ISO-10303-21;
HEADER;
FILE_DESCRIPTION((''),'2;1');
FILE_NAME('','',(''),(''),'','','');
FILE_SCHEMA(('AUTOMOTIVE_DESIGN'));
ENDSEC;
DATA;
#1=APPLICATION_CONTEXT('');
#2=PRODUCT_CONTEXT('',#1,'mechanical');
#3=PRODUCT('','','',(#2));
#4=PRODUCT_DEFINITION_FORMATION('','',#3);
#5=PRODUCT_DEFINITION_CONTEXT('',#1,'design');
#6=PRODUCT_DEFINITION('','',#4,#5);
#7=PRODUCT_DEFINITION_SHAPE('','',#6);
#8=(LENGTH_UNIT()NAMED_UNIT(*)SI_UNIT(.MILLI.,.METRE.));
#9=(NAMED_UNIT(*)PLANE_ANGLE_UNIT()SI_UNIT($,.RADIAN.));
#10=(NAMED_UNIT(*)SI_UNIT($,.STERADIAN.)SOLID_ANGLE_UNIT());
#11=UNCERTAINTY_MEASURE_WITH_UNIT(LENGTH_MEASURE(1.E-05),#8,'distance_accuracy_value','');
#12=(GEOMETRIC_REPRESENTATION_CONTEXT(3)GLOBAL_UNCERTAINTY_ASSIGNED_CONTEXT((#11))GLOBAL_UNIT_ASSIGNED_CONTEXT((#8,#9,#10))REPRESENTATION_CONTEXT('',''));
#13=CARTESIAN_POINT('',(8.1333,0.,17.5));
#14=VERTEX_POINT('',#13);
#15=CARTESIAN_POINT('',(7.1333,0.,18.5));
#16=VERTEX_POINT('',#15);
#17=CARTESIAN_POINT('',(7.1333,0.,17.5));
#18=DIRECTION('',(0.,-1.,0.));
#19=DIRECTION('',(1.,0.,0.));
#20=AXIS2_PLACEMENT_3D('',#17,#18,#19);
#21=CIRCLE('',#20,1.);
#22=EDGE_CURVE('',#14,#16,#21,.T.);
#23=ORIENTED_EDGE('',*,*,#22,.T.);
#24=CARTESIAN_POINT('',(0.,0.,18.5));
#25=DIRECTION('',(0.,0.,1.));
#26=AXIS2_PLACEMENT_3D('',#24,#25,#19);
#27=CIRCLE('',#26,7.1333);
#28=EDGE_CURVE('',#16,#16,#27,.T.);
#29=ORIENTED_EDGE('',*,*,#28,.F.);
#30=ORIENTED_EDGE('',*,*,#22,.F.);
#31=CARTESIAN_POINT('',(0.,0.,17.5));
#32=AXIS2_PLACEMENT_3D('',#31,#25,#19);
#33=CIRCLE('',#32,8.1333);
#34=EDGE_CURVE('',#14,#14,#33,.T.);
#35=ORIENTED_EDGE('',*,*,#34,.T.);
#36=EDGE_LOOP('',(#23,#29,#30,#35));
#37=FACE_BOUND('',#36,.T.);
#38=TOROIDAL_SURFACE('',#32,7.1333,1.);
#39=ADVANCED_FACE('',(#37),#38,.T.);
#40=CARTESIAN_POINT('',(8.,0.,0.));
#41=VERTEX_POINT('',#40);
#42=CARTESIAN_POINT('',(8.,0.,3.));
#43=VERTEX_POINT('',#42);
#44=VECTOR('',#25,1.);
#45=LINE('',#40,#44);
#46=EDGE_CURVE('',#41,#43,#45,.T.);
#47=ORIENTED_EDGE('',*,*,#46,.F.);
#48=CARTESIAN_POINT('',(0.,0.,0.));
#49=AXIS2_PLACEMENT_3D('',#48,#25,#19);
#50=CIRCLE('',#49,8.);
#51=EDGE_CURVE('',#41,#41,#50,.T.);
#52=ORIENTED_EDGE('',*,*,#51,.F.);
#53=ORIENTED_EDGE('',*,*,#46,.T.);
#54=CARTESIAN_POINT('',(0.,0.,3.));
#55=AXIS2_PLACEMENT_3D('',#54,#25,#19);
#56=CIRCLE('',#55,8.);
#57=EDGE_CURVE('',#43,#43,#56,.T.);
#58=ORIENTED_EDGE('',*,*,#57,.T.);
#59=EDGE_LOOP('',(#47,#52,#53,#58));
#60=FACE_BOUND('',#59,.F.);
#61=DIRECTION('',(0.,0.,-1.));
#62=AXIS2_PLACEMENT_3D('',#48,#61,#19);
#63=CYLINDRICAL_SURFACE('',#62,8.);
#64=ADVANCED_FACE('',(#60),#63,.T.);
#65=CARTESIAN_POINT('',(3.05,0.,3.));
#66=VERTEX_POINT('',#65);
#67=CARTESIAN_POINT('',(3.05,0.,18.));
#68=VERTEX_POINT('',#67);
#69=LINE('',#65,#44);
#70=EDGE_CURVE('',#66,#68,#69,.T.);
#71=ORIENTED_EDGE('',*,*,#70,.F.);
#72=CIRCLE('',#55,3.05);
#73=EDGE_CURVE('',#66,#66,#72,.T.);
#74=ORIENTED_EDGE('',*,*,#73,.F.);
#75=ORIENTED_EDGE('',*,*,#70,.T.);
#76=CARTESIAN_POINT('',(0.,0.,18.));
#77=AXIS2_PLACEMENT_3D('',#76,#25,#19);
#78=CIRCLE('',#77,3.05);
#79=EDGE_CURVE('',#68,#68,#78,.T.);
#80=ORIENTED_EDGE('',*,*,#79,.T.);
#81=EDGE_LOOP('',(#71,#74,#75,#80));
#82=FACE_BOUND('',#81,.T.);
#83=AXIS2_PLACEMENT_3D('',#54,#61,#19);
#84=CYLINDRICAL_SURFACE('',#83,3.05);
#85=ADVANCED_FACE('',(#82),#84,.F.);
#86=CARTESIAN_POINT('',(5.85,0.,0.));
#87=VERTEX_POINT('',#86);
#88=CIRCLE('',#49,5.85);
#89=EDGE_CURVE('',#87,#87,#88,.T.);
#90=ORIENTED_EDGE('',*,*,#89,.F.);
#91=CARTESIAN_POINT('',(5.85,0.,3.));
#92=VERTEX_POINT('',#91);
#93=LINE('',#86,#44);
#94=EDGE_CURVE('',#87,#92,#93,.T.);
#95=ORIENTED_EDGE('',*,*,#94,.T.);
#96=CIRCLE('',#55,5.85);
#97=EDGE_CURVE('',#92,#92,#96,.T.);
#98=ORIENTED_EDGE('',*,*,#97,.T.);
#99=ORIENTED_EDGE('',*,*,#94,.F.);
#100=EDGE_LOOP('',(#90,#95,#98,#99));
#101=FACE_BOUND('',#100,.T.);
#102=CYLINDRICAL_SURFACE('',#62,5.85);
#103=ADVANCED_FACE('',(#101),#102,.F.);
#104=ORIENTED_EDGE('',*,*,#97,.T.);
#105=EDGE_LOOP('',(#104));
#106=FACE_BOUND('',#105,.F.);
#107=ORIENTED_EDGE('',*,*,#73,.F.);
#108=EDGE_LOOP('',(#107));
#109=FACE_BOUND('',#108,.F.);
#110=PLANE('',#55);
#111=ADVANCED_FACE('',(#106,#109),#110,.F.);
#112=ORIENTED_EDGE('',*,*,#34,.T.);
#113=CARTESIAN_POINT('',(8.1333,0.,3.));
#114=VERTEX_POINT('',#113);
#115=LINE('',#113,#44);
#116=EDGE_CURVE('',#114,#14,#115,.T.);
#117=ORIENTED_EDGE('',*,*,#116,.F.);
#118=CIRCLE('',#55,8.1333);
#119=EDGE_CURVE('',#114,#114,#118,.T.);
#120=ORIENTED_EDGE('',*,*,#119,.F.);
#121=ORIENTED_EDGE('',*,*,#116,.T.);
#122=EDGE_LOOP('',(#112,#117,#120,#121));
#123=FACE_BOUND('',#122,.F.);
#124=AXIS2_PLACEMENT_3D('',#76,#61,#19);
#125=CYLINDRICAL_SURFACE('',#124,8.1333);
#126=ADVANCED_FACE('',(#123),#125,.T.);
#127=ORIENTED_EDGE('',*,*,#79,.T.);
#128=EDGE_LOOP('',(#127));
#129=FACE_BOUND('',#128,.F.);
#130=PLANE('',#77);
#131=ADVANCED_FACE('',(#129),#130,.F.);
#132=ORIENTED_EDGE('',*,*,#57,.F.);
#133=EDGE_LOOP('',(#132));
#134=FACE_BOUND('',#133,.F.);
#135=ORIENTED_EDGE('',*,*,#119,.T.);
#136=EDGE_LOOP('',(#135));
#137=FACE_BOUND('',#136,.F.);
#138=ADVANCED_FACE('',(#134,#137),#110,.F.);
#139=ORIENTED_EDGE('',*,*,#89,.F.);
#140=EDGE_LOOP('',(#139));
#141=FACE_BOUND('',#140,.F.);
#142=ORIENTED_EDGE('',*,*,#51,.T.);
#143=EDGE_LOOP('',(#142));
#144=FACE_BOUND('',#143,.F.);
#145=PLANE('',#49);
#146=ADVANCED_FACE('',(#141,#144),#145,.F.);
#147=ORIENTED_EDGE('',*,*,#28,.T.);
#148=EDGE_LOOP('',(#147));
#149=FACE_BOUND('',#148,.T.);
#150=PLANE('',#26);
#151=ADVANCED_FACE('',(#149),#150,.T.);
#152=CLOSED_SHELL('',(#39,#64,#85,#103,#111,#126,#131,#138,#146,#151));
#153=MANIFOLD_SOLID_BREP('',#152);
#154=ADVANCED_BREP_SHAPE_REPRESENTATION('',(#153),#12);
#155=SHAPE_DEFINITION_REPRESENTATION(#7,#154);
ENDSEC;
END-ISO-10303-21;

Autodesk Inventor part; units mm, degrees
ref_plane "YZ Plane" through (0, 0, 0) normal (1, 0, 0) x (0, 1, 0)
ref_plane "XZ Plane" through (0, 0, 0) normal (0, 1, 0) x (-1, 0, 0)
ref_plane "XY Plane" through (0, 0, 0) normal (0, 0, 1) x (1, 0, 0)
sketch "Skizze1" plane through (0, 0, 0) normal (0, 0, 1) x (1, 0, 0)
  circle A0 centre (0, 0) radius 8.5 projected
  circle A1 centre (0, 0) radius 3.7 projected
  circle A2 centre (0, 0) radius 8
  circle A3 centre (0, 0) radius 5.85
  point P0 (0, 0)
  dimension "d0" = 16
  dimension "d1" = 11.7
extrude "Extrusion1" add sketch "Skizze1" along normal blind 3 contours A2
sketch "Skizze2" plane through (0, 0, 3) normal (0, 0, 1) x (1, 0, 0)
  circle A0 centre (0, 0) radius 3.05
  circle A1 centre (0, 0) radius 8.1333
  dimension "d4" = 6.1
extrude "Extrusion2" add sketch "Skizze2" along normal blind 15
sketch "Skizze3" plane through (0, 0, 18) normal (0, 0, 1) x (1, 0, 0)
  circle A0 centre (0, 0) radius 8.1333 projected
extrude "Extrusion3" add sketch "Skizze3" along normal blind 0.5
fillet "Rundung1" radius 1 1 edges at (-8.1333, 0, 18.5)
properties part number "Knopp"
